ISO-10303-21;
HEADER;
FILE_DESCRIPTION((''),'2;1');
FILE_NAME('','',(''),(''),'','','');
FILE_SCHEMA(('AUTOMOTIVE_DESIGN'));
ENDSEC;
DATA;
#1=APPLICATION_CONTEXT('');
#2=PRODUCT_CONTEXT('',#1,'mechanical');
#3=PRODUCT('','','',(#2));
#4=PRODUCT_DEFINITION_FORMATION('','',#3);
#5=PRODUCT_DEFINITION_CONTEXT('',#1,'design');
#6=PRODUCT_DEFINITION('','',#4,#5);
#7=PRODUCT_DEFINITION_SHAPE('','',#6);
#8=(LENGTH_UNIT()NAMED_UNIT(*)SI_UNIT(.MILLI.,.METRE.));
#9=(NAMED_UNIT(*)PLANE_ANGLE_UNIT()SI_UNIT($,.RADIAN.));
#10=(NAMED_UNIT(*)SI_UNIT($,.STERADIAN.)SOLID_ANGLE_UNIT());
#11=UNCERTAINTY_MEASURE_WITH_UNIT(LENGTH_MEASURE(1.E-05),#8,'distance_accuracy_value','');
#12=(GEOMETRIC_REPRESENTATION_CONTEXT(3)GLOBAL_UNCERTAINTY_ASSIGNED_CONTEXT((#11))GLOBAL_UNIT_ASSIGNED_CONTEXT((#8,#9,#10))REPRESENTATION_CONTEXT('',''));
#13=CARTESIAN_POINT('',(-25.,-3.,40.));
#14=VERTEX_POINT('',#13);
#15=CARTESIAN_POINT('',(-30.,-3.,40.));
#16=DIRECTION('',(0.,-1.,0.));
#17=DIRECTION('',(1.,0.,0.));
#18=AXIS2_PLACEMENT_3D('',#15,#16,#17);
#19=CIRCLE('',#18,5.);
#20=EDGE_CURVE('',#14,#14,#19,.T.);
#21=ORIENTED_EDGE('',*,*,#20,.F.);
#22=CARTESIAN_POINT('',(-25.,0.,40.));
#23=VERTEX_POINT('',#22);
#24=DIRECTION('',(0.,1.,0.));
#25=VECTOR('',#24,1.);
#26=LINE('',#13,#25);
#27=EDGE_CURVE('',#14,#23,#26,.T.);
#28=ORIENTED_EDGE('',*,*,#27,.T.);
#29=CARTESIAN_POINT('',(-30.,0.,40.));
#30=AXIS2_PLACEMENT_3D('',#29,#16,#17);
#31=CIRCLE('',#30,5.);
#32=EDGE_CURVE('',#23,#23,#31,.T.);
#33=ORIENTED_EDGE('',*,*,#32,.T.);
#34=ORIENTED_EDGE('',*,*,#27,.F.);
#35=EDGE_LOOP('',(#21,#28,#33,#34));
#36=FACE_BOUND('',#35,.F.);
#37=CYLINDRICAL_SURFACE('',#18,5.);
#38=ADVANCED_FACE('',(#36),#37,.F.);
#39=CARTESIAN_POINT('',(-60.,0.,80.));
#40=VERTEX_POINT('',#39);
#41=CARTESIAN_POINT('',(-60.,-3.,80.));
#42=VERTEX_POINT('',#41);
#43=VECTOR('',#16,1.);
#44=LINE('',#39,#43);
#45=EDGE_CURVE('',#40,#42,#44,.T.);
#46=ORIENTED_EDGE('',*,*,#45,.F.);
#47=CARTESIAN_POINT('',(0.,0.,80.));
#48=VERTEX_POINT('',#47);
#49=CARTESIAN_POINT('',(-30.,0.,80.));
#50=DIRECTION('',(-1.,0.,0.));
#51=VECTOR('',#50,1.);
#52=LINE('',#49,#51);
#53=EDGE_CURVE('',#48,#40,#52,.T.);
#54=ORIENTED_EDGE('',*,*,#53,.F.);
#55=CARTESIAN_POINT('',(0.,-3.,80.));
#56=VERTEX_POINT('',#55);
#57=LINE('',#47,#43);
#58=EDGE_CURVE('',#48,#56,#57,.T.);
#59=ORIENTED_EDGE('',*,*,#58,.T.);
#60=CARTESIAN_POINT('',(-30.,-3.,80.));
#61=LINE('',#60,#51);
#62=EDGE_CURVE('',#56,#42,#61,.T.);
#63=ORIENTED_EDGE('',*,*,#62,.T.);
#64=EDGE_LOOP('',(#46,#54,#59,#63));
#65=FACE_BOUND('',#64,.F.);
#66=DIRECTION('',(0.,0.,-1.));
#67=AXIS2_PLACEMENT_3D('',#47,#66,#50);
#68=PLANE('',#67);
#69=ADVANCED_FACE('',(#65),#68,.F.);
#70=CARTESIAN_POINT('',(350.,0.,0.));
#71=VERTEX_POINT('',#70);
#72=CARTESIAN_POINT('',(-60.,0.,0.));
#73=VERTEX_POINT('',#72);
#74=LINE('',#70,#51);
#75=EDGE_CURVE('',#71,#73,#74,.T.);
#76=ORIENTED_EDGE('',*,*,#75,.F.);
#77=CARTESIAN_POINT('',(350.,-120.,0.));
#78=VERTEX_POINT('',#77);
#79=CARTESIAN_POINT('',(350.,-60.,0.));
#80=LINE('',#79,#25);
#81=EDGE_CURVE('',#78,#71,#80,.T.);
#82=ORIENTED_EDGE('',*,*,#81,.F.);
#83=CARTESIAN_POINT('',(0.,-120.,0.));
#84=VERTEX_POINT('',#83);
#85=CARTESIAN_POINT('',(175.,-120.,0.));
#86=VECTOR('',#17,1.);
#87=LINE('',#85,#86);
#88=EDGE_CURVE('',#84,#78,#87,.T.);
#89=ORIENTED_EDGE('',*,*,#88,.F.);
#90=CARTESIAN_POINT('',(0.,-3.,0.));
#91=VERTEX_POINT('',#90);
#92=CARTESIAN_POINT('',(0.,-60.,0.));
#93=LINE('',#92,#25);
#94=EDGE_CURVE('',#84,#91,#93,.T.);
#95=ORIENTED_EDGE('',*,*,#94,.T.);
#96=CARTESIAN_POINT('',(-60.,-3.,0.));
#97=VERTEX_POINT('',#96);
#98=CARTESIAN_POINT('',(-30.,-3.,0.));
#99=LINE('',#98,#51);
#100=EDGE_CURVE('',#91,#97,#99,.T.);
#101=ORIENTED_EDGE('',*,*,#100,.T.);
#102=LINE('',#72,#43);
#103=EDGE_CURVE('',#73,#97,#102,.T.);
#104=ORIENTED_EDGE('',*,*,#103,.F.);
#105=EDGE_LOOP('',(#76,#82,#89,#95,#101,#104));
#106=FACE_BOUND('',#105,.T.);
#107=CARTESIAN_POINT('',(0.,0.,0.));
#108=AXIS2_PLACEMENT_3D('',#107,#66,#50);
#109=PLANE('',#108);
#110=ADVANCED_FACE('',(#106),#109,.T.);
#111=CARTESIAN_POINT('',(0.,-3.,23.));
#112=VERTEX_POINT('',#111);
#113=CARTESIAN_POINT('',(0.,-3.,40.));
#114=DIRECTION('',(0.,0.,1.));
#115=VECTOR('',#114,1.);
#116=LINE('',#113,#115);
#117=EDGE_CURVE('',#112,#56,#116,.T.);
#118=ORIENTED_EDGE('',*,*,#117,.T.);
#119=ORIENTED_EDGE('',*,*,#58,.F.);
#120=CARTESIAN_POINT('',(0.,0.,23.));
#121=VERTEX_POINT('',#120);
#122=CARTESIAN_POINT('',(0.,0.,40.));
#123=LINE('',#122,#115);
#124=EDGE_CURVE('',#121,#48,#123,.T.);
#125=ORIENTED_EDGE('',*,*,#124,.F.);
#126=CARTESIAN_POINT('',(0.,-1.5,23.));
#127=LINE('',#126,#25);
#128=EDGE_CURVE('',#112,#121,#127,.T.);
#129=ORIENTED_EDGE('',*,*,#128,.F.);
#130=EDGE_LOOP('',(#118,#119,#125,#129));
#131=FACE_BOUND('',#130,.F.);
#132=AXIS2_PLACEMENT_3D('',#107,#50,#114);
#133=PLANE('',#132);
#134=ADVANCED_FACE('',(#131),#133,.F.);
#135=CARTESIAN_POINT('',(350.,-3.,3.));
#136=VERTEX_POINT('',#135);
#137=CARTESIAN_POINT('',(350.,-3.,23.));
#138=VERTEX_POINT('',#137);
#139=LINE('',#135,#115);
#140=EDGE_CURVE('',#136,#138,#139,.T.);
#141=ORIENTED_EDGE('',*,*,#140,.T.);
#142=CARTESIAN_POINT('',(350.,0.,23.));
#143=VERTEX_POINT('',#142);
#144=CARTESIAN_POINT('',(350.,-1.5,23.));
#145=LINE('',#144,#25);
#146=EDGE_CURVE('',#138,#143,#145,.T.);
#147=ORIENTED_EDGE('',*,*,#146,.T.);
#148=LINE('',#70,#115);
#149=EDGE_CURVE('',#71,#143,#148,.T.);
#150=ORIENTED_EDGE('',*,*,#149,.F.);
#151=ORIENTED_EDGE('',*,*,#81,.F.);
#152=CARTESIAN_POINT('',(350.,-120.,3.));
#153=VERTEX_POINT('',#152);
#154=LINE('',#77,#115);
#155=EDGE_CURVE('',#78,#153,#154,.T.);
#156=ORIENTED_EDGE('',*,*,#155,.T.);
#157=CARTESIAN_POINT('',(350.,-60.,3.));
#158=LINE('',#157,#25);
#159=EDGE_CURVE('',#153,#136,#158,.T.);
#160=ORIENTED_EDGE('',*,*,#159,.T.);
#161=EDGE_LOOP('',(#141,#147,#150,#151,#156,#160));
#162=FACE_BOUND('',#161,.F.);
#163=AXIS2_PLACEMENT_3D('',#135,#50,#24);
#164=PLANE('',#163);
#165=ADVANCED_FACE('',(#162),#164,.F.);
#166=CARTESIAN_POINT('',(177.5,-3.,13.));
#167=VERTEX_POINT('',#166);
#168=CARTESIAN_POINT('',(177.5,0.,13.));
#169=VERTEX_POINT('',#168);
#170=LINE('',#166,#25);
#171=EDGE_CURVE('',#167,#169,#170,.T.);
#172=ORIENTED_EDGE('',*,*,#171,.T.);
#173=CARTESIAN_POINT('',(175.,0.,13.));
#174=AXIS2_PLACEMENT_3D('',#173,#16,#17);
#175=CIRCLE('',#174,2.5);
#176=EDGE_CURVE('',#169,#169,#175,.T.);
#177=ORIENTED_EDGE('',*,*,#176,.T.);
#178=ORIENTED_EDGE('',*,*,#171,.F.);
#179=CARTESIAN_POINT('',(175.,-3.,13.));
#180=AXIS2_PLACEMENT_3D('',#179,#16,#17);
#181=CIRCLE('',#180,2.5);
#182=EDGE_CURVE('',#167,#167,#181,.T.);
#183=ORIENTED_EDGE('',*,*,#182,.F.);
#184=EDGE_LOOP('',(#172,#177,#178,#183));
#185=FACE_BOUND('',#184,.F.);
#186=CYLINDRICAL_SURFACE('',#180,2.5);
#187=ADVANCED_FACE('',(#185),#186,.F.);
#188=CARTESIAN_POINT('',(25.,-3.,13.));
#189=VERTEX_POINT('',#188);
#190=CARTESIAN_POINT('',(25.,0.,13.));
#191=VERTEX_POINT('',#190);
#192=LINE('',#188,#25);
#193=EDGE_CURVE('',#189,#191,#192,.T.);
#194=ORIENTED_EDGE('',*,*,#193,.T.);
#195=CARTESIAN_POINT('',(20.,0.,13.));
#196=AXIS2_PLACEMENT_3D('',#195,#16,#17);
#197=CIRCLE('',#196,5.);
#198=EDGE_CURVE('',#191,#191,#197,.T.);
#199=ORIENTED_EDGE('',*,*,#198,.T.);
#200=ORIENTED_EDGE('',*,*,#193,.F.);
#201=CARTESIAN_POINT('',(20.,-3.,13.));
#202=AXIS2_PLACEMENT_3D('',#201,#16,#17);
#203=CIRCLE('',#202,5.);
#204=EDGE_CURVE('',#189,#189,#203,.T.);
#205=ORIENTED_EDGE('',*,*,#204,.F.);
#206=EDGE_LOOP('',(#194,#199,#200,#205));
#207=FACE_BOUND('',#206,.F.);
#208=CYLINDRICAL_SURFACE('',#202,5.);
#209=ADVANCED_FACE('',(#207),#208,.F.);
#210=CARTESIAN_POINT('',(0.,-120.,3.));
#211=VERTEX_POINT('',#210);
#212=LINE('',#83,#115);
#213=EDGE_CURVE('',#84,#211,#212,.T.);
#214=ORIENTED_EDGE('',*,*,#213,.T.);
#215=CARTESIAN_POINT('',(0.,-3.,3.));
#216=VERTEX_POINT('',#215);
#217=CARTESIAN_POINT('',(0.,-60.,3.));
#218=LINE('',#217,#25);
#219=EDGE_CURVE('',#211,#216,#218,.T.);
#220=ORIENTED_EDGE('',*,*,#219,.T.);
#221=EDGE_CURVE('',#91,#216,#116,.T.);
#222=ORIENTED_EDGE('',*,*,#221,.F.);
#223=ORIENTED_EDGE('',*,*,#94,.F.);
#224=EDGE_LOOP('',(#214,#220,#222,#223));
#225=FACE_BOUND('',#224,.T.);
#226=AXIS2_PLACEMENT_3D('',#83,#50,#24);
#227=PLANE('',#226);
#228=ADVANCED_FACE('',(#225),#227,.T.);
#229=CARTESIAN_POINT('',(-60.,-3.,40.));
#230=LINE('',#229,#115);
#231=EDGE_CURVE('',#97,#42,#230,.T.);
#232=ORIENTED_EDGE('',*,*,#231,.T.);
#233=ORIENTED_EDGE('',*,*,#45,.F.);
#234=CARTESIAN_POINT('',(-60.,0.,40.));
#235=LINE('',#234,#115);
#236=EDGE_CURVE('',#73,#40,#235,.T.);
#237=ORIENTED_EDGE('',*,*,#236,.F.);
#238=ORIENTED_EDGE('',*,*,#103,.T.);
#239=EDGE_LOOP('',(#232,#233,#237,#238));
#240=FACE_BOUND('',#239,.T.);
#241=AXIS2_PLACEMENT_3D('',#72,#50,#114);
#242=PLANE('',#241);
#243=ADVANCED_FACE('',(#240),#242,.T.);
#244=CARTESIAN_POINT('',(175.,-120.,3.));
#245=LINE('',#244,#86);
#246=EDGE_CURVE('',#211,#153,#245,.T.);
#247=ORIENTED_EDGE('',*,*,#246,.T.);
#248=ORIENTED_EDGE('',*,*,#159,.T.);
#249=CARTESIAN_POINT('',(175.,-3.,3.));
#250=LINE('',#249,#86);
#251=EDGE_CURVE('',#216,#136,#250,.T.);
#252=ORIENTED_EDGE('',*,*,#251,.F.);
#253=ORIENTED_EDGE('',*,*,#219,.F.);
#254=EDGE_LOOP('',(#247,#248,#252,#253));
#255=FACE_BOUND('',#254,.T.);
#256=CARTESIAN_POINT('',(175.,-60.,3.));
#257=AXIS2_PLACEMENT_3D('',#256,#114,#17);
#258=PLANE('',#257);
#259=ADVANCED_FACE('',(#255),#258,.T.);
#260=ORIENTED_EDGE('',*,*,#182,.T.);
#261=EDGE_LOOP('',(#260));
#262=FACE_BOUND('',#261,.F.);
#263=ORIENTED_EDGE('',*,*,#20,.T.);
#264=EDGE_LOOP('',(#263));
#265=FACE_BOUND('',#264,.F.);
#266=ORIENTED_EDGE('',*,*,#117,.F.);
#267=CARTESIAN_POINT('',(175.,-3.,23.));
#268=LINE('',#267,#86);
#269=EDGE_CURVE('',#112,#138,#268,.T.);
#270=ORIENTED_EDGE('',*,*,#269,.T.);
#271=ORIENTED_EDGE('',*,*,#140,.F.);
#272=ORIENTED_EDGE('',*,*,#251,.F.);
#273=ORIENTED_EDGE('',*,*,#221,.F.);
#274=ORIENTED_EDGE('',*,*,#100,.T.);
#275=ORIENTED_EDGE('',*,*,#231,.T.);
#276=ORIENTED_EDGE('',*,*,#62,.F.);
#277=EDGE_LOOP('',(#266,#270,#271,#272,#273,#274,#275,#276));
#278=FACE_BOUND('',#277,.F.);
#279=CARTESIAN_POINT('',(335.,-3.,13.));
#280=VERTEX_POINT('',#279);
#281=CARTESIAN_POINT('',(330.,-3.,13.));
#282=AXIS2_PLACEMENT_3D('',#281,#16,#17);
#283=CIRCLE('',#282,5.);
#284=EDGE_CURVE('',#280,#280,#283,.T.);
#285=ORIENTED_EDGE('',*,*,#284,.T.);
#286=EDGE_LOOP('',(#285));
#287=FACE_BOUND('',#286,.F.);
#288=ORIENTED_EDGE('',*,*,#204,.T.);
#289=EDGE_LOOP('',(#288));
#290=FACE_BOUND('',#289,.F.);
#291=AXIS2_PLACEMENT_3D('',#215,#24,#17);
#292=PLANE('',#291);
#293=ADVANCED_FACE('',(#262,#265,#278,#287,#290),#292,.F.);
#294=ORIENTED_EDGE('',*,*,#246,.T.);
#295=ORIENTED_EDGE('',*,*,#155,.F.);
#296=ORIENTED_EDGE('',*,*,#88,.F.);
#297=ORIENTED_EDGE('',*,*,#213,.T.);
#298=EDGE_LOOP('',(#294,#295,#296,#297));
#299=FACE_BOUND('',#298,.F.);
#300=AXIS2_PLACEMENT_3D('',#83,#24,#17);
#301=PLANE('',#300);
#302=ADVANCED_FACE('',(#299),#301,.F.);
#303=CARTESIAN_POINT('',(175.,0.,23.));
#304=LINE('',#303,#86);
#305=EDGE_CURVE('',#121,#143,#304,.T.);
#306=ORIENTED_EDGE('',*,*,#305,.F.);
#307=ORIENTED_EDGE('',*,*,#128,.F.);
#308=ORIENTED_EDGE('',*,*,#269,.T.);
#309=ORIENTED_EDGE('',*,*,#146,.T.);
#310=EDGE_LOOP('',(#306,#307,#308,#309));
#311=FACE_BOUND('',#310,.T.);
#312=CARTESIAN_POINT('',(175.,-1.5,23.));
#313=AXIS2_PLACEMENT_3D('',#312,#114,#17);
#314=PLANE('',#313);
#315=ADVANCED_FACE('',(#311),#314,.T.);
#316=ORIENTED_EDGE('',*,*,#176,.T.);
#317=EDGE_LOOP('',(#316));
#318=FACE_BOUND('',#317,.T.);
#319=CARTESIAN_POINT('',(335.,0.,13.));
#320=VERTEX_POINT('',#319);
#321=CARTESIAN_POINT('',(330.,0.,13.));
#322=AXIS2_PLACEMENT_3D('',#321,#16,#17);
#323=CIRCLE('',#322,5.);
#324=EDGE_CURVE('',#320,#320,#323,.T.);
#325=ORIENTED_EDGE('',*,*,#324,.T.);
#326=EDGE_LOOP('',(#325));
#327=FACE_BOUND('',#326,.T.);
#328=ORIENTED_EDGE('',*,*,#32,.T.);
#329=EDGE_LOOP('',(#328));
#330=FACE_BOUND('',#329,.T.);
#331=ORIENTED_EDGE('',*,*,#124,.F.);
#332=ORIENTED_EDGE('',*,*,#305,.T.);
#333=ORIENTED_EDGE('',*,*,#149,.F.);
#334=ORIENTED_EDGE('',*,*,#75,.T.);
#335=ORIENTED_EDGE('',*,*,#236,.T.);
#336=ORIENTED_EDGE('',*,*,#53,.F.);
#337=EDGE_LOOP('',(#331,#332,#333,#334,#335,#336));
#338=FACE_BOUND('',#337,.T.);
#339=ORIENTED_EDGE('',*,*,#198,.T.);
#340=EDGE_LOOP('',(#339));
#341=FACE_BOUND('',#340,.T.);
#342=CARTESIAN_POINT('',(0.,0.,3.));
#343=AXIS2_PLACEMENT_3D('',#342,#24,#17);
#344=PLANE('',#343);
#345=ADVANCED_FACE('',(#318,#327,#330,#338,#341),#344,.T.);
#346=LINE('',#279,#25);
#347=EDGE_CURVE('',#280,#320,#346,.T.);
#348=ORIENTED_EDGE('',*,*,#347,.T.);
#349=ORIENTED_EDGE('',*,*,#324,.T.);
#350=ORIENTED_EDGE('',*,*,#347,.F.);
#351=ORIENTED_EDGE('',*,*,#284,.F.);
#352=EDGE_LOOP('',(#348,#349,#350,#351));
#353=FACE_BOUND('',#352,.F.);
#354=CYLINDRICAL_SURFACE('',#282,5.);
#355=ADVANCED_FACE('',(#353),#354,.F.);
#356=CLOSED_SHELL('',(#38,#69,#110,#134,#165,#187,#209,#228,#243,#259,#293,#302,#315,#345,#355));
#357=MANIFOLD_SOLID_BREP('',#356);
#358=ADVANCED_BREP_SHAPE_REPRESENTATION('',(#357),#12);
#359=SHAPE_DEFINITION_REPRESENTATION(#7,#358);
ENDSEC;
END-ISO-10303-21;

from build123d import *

# Parameters (mm, degrees)
F0_W      = 350
F0_H      = 120
F1_DEPTH  = 3
F2_W      = 60
F2_H      = 80
F3_DEPTH  = 3
F4_R      = 5
F5_DEPTH  = 25
F6_W      = 350
F6_H      = 3
F7_DEPTH  = 20
F8_R      = 5
F9_DEPTH  = 25
F11_R     = 2.5
F12_DEPTH = 25


with BuildPart() as f1:
    # F0 (on Top) → F1 (new body)
    with BuildSketch(Plane.XY):
        with Locations((175, -60)):
            Rectangle(F0_W, F0_H)
    extrude(amount=F1_DEPTH)

    # F2 (on face) → F3 (join)
    with BuildSketch(Plane(origin=(0, 0, 0), x_dir=(-1, 0, 0), z_dir=(0, 1, 0))):
        with Locations((30, 40)):
            Rectangle(F2_W, F2_H)
    extrude(amount=-F3_DEPTH)

    # F4 (on face) → F5 (cut)
    with BuildSketch(Plane.XZ.offset(3)):
        with Locations((-30, 40)):
            Circle(F4_R)
    extrude(amount=-F5_DEPTH, mode=Mode.SUBTRACT)

    # F6 (on face) → F7 (join)
    with BuildSketch(Plane.XY.offset(3)):
        with Locations((175, -1.5)):
            Rectangle(F6_W, F6_H)
    extrude(amount=F7_DEPTH)

    # F8 (on face) → F9 (cut)
    with BuildSketch(Plane.XZ.offset(3)):
        with Locations((330, 13)):
            Circle(F8_R)
        with Locations((20, 13)):
            Circle(F8_R)
    extrude(amount=-F9_DEPTH, mode=Mode.SUBTRACT)

    # F11 (on face) → F12 (cut)
    with BuildSketch(Plane.XZ.offset(3)):
        with Locations((175, 13)):
            Circle(F11_R)
    extrude(amount=-F12_DEPTH, mode=Mode.SUBTRACT)


solid = f1.part
